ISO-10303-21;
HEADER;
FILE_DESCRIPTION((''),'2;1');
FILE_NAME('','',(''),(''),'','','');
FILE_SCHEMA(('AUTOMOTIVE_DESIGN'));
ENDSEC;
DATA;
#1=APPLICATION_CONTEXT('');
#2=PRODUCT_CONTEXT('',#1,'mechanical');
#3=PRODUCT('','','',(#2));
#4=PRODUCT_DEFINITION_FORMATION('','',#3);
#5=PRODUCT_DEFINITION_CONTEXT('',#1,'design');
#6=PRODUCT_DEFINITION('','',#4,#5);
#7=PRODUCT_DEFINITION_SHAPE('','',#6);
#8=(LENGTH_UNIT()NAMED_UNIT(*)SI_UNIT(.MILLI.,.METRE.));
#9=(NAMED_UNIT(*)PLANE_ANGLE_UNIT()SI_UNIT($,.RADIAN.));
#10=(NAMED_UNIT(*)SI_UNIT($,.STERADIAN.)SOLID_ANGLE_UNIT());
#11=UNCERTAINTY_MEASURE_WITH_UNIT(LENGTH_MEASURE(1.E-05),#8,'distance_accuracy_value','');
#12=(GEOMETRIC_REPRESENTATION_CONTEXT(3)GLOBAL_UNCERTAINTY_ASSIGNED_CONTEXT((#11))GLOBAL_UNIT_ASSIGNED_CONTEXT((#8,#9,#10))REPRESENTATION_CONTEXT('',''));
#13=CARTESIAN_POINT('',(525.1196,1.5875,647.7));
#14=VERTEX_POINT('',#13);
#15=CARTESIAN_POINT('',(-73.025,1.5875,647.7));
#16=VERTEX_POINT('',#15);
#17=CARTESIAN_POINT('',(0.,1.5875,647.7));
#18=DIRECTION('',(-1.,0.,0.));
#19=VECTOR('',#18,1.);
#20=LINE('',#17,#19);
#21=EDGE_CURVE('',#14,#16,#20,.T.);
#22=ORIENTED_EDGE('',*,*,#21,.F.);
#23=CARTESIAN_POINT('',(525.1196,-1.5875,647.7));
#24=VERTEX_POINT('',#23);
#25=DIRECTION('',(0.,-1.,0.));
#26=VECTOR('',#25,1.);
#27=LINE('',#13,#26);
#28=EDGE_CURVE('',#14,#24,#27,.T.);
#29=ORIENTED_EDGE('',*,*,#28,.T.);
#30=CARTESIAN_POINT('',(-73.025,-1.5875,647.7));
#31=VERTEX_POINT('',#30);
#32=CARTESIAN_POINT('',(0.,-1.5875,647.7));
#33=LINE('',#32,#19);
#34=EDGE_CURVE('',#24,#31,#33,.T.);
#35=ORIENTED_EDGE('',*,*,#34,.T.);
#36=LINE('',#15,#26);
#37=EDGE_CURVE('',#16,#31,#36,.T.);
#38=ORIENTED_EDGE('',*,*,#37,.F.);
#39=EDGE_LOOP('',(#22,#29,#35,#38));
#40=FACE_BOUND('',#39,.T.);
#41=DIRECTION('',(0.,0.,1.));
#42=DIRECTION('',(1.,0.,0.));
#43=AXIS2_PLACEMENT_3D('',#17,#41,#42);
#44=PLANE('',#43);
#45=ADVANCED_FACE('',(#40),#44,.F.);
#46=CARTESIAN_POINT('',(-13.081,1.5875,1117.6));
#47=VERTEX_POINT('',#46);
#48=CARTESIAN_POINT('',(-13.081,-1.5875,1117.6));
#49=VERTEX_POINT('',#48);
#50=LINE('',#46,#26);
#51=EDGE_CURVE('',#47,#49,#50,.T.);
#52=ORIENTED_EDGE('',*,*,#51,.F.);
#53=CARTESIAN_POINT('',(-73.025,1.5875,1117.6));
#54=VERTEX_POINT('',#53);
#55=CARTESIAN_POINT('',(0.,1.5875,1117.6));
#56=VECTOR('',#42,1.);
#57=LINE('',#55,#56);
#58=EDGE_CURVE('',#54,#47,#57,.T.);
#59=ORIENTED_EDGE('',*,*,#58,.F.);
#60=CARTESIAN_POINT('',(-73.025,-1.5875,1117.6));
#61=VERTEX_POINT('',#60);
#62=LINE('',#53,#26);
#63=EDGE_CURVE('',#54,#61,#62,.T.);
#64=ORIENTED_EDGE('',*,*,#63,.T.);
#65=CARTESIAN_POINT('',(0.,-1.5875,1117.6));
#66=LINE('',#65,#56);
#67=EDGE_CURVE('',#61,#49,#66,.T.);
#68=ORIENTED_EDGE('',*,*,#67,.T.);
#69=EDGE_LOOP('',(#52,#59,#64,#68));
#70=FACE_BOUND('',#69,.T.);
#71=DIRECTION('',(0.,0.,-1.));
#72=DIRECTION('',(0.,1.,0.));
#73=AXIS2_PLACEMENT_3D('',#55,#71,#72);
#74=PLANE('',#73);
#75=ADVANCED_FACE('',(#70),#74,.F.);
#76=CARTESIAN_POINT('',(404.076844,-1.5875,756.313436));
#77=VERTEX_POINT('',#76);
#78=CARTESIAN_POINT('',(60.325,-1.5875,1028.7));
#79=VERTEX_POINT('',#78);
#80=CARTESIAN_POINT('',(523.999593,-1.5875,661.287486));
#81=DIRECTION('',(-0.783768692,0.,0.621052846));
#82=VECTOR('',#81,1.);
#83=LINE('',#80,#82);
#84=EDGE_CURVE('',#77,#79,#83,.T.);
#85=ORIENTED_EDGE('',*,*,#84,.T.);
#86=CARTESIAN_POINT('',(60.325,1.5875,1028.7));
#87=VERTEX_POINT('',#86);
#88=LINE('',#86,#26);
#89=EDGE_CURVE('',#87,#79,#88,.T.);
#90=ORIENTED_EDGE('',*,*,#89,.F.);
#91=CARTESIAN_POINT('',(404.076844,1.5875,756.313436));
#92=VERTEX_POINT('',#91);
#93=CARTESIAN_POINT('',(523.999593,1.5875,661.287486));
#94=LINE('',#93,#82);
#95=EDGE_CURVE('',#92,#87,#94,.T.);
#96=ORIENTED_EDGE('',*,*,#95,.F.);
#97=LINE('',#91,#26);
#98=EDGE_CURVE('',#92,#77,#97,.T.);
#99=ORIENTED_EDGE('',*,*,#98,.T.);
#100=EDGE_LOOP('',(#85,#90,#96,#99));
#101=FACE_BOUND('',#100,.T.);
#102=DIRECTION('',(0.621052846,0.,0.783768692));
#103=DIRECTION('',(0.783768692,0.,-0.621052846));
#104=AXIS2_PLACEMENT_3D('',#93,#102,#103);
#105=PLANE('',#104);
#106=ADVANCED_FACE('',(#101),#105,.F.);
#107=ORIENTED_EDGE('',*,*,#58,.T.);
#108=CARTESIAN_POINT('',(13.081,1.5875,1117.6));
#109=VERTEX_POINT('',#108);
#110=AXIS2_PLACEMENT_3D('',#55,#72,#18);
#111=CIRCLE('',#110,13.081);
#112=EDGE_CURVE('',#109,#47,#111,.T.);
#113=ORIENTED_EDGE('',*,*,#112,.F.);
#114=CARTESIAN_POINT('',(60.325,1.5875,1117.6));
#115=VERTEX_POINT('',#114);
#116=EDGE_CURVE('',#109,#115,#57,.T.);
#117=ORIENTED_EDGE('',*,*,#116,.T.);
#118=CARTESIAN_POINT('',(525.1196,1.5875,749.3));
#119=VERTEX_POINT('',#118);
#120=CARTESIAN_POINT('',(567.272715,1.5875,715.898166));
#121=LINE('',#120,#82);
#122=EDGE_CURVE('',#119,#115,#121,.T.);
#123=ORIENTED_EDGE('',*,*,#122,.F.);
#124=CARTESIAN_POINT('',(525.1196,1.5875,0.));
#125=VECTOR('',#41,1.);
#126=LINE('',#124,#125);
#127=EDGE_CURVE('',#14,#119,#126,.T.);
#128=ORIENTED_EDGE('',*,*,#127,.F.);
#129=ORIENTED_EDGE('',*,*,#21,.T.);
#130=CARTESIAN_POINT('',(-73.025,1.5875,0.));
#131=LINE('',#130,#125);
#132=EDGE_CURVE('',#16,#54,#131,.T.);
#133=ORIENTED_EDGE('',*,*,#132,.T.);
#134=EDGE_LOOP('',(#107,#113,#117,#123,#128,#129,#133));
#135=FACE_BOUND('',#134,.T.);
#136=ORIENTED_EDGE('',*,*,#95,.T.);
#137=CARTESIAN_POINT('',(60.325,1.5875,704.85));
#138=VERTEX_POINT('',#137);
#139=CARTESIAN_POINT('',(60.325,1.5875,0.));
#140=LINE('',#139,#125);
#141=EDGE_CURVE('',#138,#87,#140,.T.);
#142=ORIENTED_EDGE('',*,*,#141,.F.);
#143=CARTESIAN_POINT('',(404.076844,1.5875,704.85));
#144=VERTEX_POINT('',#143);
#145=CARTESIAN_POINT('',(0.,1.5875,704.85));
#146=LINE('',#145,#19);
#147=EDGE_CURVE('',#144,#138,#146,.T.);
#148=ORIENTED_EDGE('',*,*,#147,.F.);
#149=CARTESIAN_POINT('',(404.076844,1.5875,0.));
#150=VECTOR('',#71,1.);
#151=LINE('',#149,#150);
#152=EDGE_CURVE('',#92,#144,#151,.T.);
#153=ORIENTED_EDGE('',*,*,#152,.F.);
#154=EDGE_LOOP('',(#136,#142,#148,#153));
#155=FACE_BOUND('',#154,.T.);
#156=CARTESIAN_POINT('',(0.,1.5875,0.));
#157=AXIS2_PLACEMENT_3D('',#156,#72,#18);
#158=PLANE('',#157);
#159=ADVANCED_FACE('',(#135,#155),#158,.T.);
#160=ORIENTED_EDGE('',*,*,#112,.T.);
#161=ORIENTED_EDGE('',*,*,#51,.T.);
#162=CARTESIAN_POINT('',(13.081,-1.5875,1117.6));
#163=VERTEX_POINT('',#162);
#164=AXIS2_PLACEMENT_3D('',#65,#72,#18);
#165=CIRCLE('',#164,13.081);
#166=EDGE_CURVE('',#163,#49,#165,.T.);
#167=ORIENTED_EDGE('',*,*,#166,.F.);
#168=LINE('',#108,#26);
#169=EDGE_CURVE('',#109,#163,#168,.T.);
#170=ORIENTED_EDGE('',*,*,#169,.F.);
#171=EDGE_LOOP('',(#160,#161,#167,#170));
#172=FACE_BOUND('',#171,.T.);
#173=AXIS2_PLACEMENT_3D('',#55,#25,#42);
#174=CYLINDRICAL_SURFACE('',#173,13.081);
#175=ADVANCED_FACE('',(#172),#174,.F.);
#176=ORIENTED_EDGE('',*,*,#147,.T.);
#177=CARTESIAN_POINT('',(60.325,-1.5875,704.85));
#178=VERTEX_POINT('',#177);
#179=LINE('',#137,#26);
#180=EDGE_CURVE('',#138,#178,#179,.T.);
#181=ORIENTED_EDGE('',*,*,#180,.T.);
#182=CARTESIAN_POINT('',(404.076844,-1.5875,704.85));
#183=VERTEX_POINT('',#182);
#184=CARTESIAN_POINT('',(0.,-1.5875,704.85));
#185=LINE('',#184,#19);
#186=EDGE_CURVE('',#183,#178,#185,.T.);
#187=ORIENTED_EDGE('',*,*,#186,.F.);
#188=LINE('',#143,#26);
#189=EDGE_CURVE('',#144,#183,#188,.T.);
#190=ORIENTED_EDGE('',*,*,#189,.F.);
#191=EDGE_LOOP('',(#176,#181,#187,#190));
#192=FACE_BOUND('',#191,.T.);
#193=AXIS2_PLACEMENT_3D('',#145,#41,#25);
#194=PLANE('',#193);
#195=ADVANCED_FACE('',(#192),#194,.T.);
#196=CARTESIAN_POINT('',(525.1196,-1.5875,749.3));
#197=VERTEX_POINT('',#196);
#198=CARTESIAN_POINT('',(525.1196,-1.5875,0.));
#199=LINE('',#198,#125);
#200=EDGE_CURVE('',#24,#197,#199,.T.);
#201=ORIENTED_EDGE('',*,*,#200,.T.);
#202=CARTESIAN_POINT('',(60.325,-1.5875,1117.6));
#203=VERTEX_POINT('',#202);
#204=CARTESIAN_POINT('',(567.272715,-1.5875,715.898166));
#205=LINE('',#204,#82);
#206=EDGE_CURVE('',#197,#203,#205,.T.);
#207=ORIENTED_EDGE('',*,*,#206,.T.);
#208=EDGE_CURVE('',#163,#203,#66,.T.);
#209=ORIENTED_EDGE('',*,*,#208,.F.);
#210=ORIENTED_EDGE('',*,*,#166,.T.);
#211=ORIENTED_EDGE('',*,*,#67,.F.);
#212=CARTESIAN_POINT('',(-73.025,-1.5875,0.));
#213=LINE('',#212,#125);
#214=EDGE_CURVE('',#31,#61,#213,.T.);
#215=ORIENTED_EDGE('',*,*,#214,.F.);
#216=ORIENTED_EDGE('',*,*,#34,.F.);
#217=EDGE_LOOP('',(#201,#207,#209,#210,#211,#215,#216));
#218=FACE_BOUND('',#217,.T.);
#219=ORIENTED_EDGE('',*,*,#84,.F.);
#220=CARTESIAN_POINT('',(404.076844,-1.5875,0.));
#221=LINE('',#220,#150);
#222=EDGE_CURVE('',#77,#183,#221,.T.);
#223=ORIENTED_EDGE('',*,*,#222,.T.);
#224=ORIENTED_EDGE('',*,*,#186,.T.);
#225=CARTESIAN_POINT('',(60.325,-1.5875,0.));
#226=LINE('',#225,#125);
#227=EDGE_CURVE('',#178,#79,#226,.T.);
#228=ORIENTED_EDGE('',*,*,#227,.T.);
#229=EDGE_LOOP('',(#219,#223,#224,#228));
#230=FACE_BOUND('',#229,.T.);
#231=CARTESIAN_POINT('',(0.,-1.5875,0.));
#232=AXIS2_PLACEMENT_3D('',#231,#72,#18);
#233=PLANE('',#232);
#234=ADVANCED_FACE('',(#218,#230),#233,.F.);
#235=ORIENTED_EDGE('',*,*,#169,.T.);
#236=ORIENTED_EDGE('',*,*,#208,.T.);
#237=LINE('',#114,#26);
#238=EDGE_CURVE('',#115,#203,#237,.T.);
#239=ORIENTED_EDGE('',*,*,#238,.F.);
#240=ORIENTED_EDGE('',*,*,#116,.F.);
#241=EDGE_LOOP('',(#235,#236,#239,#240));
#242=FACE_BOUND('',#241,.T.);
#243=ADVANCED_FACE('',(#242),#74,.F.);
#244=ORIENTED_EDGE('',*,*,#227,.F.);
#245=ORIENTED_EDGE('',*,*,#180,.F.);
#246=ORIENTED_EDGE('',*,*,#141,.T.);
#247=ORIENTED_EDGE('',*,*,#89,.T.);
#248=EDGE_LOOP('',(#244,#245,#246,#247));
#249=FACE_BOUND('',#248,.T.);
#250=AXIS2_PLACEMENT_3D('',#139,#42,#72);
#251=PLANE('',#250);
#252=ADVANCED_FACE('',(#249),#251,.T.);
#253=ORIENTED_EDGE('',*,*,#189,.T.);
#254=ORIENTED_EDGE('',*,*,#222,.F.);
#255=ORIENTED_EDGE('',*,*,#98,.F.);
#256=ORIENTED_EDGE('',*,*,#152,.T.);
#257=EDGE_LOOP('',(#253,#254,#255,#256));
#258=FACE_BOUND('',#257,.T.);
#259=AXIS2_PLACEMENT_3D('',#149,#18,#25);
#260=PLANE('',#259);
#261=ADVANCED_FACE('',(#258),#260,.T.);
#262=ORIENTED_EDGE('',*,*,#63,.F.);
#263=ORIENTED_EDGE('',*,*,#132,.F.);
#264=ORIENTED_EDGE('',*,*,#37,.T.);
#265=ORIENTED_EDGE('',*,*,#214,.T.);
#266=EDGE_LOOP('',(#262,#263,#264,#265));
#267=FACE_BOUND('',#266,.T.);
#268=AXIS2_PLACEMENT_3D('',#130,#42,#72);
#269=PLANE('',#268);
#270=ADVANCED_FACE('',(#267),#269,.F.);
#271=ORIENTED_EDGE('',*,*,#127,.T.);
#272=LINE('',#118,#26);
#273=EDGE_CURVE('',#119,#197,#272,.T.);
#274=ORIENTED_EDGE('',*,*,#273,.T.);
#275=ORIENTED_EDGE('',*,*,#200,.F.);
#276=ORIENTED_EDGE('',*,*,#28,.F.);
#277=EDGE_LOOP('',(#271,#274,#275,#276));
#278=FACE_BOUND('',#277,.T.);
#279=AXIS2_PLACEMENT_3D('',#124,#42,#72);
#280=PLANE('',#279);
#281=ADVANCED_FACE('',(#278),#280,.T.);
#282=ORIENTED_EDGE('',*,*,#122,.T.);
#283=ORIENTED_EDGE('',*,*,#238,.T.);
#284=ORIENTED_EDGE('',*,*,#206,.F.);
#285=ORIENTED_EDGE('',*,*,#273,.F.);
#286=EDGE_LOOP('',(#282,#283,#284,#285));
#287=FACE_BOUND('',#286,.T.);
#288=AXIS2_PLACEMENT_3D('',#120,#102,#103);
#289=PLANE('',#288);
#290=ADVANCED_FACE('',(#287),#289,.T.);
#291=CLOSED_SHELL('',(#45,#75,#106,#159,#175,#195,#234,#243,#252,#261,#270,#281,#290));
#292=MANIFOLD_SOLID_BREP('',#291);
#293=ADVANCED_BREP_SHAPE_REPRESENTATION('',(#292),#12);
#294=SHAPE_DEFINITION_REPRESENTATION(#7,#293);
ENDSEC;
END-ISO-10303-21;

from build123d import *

# Parameters (mm, degrees)
BOSS_EXTRUDE1_DEPTH = 1.5875


with BuildPart() as part:
    # Sketch1 → Boss-Extrude1 (new, symmetric)
    with BuildSketch(Plane(origin=(0, 0, 0), x_dir=(1, 0, 0), z_dir=(0, 1, 0))):
        with BuildLine():
            Line((60.325, -1117.6), (525.1196, -749.3))
            Line((525.1196, -749.3), (525.1196, -647.7))
            Line((525.1196, -647.7), (-73.025, -647.7))
            Line((-73.025, -647.7), (-73.025, -1117.6))
            Line((-73.025, -1117.6), (-13.081, -1117.6))
            ThreePointArc((-13.081, -1117.6), (0, -1104.519), (13.081, -1117.6))
            Line((13.081, -1117.6), (60.325, -1117.6))
        make_face()
        Polygon((60.325, -1028.7), (60.325, -704.85), (404.076843973, -704.85), (404.076843973, -756.313435837), align=None, mode=Mode.SUBTRACT)
    extrude(amount=BOSS_EXTRUDE1_DEPTH, both=True)


solid = part.part
